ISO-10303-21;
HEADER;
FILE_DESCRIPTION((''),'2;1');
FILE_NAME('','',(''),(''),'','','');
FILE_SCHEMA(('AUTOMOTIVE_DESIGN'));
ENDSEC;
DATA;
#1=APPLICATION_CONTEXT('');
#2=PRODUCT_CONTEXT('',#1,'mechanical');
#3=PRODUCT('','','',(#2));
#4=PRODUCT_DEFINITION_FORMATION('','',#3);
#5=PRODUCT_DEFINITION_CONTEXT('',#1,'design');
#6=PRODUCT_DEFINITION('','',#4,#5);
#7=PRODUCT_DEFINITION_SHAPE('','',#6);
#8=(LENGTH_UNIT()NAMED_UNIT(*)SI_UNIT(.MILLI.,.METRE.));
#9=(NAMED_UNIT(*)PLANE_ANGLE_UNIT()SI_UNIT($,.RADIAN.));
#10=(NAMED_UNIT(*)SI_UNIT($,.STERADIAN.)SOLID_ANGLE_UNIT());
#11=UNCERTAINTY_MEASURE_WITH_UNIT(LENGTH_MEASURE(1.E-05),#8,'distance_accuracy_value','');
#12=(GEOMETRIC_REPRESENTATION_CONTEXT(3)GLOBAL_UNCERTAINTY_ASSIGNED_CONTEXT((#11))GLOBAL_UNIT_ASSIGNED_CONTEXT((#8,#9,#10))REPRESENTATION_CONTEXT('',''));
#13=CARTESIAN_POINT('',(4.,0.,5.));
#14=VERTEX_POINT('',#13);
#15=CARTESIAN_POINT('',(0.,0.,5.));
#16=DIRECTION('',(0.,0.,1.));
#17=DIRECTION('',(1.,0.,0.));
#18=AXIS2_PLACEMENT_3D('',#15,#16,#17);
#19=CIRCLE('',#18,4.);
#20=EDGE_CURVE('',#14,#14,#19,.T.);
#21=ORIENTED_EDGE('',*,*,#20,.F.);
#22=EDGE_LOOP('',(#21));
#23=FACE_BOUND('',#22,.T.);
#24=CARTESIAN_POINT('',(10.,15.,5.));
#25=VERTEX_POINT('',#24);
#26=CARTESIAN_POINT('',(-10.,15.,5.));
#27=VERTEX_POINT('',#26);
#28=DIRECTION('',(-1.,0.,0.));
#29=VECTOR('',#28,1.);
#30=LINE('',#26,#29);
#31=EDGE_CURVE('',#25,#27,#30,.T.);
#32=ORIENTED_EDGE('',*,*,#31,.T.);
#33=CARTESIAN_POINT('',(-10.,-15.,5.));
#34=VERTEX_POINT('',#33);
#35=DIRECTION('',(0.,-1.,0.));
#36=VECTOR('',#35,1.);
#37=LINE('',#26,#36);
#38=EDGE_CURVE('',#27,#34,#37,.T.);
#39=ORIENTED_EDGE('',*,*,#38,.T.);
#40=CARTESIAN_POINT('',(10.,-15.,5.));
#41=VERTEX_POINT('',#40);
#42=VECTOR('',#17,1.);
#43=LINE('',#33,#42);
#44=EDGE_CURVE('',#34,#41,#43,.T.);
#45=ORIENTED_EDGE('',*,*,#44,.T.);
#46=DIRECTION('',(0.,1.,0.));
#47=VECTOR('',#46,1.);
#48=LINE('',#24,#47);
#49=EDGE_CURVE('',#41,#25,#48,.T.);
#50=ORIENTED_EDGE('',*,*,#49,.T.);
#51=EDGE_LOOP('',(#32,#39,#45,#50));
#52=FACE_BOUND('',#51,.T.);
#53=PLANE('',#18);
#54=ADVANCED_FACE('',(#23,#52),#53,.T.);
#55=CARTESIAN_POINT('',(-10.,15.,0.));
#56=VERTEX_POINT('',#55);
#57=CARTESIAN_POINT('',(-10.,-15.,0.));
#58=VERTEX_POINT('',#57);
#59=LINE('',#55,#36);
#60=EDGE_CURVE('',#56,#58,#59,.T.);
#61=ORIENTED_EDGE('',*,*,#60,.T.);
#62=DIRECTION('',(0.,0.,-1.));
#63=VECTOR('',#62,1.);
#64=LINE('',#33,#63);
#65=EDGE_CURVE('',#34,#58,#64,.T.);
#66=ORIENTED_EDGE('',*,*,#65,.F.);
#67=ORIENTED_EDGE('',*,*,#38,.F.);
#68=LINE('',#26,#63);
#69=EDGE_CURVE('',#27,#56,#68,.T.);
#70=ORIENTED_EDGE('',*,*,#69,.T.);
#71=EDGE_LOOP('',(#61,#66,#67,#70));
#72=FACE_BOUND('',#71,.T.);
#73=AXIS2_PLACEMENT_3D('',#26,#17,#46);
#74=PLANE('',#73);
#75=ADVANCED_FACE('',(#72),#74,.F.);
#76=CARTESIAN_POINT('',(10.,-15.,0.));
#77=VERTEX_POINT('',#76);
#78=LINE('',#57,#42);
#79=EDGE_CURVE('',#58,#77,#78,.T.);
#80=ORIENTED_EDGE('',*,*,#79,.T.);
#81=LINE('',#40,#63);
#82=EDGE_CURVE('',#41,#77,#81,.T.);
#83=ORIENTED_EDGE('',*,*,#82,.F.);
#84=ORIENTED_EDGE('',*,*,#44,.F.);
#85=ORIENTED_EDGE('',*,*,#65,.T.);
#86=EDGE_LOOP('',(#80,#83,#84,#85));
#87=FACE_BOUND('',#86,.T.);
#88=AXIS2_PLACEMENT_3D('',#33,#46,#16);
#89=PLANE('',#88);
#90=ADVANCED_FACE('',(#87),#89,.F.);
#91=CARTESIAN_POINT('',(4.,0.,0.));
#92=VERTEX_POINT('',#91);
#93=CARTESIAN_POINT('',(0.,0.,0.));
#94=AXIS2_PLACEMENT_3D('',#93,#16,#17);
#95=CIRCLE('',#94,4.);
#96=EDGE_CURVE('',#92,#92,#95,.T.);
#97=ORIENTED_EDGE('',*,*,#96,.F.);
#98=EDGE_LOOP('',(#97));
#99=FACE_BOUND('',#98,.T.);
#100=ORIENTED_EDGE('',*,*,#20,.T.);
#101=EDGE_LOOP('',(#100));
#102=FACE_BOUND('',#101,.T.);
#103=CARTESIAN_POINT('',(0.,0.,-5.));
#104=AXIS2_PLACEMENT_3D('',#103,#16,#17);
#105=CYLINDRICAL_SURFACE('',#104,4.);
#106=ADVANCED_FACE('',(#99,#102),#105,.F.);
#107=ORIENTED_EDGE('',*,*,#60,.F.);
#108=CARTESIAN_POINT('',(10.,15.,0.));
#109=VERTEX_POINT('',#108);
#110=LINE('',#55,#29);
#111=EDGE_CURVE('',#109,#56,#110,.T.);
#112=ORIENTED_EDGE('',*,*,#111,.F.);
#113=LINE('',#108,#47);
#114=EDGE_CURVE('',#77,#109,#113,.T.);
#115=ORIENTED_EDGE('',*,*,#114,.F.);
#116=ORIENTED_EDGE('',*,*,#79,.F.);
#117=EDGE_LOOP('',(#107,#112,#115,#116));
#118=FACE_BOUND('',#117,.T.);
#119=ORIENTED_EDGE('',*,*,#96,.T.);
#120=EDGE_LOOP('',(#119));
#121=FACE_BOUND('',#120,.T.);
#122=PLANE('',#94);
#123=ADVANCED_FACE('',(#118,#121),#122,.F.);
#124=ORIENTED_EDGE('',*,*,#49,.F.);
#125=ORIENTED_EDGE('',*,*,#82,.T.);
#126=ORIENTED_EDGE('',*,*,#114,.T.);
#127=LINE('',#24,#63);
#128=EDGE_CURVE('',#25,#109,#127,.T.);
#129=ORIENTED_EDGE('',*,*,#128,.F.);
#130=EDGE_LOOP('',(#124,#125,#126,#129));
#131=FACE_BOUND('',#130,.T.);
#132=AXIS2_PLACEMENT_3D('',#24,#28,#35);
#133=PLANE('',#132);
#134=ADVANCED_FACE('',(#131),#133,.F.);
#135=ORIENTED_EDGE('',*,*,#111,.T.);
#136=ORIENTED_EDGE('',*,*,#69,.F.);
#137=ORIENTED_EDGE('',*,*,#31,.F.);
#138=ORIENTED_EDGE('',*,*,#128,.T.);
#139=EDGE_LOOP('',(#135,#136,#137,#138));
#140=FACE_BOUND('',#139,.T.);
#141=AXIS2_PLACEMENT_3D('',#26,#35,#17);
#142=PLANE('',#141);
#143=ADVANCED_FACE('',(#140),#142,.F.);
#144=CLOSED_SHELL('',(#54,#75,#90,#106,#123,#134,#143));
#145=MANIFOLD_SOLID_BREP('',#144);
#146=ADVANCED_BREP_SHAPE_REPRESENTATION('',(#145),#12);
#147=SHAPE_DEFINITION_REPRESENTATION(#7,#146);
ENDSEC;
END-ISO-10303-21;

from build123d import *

# Parameters (mm, degrees)
SKETCH1_W           = 20
SKETCH1_H           = 30
BOSS_EXTRUDE1_DEPTH = 5
SKETCH2_R           = 4
CUT_EXTRUDE1_DEPTH  = 10


with BuildPart() as part:
    # Sketch1 → Boss-Extrude1 (new body)
    with BuildSketch(Plane.XY):
        Rectangle(SKETCH1_W, SKETCH1_H)
    extrude(amount=BOSS_EXTRUDE1_DEPTH)

    # Sketch2 → Cut-Extrude1 (cut)
    with BuildSketch(Plane.XY.offset(5)):
        Circle(SKETCH2_R)
    extrude(amount=-CUT_EXTRUDE1_DEPTH, mode=Mode.SUBTRACT)


solid = part.part
